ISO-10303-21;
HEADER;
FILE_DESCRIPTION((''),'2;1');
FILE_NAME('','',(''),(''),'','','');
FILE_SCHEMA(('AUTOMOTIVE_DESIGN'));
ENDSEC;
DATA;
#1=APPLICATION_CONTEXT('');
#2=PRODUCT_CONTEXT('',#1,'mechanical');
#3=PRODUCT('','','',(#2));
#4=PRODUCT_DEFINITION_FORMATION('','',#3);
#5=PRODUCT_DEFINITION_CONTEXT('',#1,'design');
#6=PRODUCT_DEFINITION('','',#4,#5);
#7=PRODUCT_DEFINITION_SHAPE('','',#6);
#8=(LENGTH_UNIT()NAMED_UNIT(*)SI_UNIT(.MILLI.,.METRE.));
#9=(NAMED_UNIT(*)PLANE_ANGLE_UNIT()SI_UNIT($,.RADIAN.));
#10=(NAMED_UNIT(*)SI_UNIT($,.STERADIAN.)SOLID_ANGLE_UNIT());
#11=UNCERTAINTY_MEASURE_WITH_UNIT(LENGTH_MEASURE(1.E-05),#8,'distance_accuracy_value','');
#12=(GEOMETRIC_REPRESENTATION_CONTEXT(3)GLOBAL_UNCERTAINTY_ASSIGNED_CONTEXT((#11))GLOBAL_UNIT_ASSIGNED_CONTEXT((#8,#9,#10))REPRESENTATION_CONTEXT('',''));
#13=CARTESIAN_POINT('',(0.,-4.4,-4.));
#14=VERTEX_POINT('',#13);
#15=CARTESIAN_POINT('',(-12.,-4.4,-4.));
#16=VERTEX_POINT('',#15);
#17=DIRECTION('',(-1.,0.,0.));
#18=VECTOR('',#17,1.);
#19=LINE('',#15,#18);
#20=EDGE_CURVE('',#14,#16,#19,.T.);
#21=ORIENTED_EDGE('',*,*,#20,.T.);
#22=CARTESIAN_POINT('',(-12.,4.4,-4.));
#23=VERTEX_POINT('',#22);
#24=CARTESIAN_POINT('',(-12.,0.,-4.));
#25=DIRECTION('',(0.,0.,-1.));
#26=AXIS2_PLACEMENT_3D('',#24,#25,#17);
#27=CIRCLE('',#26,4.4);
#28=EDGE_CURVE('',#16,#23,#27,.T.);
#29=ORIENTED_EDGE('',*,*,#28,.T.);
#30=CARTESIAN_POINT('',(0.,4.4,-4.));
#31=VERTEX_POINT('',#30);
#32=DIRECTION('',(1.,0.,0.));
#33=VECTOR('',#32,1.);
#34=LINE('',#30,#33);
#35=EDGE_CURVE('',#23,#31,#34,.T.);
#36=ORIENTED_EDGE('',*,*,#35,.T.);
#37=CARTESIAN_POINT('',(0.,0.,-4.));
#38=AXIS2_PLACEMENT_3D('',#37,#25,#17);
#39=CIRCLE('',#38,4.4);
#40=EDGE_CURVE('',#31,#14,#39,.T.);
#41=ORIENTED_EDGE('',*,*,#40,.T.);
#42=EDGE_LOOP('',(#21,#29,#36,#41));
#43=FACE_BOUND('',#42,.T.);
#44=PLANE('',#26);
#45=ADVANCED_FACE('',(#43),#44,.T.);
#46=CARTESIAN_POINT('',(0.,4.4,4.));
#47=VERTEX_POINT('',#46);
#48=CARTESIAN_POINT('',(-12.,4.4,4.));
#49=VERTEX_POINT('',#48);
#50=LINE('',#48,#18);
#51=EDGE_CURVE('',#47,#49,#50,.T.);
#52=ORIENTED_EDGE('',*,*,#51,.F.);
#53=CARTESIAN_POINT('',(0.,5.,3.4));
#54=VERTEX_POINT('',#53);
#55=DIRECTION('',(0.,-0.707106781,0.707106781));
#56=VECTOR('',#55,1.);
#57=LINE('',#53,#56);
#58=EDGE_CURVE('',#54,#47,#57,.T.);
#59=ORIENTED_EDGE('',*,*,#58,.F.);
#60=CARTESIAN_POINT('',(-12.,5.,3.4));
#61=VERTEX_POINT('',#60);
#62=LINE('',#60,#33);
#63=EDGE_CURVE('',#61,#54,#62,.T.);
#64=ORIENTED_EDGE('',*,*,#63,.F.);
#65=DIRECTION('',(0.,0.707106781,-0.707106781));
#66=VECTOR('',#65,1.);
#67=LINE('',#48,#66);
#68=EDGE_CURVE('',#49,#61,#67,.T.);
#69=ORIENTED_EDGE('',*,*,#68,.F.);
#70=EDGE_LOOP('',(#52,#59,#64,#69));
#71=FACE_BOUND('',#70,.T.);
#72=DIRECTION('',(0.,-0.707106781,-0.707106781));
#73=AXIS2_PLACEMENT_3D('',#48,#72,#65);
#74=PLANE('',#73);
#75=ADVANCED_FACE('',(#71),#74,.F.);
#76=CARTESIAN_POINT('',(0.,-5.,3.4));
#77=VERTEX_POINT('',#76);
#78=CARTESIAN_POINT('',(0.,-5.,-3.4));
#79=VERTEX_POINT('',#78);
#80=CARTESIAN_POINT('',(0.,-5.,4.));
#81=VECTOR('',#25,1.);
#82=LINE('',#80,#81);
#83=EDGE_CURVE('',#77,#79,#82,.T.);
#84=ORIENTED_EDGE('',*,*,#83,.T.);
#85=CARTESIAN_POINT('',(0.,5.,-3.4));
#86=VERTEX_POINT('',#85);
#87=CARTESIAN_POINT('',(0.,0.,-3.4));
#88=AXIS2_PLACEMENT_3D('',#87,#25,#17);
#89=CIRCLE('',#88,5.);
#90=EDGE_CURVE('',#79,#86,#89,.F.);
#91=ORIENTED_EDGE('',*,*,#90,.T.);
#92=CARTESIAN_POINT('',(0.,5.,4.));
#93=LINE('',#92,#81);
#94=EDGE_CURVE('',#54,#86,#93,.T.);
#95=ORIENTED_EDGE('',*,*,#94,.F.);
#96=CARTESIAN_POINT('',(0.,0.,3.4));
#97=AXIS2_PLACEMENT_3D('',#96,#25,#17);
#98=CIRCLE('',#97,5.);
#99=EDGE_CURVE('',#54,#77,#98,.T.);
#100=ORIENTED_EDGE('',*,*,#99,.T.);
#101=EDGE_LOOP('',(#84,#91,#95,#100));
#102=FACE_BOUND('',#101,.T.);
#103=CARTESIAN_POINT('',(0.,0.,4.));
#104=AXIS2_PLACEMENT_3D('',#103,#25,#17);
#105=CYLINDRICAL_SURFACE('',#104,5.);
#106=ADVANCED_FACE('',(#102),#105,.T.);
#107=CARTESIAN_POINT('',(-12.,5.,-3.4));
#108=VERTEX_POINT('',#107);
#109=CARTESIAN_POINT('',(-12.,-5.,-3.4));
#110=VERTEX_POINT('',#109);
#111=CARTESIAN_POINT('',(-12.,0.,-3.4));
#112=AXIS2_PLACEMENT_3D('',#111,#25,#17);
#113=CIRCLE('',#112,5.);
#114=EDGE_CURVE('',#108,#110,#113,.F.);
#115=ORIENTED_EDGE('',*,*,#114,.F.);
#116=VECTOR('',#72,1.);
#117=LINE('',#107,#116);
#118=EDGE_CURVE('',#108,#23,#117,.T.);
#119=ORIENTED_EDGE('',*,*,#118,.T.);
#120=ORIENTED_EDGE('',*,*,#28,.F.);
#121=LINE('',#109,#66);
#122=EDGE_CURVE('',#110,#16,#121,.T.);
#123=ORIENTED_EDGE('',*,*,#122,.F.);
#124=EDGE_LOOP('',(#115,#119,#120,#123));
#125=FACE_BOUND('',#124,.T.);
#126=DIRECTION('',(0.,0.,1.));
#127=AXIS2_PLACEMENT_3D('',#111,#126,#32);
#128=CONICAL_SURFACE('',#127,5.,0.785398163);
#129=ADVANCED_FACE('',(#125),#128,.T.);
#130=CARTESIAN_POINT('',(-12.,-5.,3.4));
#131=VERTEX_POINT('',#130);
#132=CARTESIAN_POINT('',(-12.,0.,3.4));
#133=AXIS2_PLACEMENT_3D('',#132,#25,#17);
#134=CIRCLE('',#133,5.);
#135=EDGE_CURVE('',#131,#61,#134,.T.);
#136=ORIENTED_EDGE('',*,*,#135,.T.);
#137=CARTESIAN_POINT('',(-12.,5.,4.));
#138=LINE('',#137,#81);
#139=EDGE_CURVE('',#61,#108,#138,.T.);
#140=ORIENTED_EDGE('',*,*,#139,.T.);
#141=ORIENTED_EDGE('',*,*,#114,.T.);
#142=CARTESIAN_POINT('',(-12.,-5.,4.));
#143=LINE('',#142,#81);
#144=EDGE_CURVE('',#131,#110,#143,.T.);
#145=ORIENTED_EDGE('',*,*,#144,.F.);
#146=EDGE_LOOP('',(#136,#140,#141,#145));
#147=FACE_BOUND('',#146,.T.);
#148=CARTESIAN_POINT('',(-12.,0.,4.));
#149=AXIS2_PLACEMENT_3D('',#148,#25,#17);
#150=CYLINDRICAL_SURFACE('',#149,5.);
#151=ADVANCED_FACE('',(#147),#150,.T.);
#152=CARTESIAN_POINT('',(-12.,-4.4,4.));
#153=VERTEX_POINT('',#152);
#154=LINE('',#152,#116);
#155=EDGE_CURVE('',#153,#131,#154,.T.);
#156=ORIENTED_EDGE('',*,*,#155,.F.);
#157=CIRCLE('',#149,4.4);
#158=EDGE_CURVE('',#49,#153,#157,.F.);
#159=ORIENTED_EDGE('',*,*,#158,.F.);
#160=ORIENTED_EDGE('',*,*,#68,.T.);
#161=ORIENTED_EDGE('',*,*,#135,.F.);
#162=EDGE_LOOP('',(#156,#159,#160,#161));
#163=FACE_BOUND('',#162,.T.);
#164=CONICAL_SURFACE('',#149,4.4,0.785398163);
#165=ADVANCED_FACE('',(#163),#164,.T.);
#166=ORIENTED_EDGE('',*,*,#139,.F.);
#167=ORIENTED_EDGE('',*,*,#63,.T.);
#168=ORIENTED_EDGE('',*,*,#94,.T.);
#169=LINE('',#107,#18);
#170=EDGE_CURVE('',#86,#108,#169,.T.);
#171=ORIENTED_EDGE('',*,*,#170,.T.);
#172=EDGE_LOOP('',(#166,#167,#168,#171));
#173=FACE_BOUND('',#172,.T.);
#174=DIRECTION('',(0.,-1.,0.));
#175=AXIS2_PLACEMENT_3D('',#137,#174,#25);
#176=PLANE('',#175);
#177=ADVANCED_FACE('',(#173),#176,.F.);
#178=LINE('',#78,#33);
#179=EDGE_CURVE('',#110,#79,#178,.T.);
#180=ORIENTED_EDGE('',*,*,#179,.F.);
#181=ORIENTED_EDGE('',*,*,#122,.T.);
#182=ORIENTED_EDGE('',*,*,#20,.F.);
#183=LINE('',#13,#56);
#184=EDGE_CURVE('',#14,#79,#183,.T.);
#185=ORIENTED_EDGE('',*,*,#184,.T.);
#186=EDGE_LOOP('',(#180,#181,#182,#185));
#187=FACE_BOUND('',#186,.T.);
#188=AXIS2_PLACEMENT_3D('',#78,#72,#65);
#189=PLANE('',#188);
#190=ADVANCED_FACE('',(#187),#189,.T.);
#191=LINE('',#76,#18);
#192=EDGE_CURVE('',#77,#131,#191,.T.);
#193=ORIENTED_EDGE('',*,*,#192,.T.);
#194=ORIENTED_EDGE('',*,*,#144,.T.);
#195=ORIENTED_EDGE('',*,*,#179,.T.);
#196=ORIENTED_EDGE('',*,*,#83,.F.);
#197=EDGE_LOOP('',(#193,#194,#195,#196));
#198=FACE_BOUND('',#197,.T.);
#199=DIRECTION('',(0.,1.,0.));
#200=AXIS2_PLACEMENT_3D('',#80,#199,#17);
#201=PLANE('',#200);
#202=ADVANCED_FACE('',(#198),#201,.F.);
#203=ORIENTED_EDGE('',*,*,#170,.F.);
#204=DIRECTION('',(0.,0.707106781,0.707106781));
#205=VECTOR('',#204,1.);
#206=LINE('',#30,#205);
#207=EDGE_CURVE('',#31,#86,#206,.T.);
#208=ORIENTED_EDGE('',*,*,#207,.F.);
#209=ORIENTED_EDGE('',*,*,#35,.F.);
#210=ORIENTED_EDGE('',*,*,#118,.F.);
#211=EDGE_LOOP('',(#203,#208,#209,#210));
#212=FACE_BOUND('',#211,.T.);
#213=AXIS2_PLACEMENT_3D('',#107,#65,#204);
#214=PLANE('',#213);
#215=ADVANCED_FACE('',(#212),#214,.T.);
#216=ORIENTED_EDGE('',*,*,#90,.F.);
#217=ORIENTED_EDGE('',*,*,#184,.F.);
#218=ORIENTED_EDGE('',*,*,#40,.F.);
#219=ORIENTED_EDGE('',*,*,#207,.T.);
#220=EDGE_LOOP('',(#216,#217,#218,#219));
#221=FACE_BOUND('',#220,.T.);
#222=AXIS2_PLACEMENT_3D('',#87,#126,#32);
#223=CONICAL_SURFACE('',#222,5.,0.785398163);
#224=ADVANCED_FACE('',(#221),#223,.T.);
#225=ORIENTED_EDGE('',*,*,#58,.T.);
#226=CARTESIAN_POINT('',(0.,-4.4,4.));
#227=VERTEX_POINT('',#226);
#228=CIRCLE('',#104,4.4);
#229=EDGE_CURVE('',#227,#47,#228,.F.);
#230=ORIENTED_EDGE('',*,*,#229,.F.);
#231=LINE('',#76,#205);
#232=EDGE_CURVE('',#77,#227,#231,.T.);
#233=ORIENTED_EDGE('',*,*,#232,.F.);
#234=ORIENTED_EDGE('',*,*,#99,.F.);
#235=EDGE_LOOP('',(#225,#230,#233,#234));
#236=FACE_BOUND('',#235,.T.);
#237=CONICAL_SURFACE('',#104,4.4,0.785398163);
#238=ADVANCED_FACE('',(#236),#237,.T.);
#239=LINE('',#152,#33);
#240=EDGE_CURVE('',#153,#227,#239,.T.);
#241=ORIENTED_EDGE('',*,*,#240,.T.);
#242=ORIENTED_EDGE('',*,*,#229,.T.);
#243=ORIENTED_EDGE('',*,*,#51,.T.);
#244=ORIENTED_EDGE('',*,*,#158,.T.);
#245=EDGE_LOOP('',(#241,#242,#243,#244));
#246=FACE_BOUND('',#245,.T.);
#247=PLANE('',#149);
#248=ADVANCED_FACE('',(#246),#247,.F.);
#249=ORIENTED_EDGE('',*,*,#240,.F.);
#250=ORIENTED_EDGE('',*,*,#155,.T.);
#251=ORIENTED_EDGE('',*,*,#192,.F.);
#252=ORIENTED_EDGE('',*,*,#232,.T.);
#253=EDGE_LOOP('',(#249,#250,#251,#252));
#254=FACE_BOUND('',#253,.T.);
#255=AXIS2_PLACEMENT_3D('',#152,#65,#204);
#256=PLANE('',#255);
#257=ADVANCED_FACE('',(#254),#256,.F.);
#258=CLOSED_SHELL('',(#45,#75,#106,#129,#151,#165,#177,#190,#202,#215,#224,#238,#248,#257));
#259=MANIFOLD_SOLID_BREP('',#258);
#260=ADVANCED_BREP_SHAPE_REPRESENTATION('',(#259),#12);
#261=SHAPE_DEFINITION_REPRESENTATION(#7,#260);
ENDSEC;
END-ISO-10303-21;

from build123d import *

# Parameters (mm, degrees)
BASEKEY_DEPTH = 4
CHAMFER1_SIZE = 0.6


with BuildPart() as part:
    # Sketch1 → BaseKey (new, symmetric)
    with BuildSketch(Plane.XY):
        with BuildLine():
            Line((-12, 5), (0, 5))
            ThreePointArc((0, 5), (5, 0), (0, -5))
            Line((0, -5), (-12, -5))
            ThreePointArc((-12, -5), (-17, 0), (-12, 5))
        make_face()
    extrude(amount=BASEKEY_DEPTH, both=True)

    # Chamfer1
    chamfer1_edges = [part.edges().sort_by_distance(p)[0] for p in [
        (5, 0, 4),
        (-6, 5, 4),
        (-17, 0, 4),
        (-6, 5, -4),
        (5, 0, -4),
        (-6, -5, -4),
        (-17, 0, -4),
        (-6, -5, 4),
    ]]
    chamfer(chamfer1_edges, length=CHAMFER1_SIZE)


solid = part.part
